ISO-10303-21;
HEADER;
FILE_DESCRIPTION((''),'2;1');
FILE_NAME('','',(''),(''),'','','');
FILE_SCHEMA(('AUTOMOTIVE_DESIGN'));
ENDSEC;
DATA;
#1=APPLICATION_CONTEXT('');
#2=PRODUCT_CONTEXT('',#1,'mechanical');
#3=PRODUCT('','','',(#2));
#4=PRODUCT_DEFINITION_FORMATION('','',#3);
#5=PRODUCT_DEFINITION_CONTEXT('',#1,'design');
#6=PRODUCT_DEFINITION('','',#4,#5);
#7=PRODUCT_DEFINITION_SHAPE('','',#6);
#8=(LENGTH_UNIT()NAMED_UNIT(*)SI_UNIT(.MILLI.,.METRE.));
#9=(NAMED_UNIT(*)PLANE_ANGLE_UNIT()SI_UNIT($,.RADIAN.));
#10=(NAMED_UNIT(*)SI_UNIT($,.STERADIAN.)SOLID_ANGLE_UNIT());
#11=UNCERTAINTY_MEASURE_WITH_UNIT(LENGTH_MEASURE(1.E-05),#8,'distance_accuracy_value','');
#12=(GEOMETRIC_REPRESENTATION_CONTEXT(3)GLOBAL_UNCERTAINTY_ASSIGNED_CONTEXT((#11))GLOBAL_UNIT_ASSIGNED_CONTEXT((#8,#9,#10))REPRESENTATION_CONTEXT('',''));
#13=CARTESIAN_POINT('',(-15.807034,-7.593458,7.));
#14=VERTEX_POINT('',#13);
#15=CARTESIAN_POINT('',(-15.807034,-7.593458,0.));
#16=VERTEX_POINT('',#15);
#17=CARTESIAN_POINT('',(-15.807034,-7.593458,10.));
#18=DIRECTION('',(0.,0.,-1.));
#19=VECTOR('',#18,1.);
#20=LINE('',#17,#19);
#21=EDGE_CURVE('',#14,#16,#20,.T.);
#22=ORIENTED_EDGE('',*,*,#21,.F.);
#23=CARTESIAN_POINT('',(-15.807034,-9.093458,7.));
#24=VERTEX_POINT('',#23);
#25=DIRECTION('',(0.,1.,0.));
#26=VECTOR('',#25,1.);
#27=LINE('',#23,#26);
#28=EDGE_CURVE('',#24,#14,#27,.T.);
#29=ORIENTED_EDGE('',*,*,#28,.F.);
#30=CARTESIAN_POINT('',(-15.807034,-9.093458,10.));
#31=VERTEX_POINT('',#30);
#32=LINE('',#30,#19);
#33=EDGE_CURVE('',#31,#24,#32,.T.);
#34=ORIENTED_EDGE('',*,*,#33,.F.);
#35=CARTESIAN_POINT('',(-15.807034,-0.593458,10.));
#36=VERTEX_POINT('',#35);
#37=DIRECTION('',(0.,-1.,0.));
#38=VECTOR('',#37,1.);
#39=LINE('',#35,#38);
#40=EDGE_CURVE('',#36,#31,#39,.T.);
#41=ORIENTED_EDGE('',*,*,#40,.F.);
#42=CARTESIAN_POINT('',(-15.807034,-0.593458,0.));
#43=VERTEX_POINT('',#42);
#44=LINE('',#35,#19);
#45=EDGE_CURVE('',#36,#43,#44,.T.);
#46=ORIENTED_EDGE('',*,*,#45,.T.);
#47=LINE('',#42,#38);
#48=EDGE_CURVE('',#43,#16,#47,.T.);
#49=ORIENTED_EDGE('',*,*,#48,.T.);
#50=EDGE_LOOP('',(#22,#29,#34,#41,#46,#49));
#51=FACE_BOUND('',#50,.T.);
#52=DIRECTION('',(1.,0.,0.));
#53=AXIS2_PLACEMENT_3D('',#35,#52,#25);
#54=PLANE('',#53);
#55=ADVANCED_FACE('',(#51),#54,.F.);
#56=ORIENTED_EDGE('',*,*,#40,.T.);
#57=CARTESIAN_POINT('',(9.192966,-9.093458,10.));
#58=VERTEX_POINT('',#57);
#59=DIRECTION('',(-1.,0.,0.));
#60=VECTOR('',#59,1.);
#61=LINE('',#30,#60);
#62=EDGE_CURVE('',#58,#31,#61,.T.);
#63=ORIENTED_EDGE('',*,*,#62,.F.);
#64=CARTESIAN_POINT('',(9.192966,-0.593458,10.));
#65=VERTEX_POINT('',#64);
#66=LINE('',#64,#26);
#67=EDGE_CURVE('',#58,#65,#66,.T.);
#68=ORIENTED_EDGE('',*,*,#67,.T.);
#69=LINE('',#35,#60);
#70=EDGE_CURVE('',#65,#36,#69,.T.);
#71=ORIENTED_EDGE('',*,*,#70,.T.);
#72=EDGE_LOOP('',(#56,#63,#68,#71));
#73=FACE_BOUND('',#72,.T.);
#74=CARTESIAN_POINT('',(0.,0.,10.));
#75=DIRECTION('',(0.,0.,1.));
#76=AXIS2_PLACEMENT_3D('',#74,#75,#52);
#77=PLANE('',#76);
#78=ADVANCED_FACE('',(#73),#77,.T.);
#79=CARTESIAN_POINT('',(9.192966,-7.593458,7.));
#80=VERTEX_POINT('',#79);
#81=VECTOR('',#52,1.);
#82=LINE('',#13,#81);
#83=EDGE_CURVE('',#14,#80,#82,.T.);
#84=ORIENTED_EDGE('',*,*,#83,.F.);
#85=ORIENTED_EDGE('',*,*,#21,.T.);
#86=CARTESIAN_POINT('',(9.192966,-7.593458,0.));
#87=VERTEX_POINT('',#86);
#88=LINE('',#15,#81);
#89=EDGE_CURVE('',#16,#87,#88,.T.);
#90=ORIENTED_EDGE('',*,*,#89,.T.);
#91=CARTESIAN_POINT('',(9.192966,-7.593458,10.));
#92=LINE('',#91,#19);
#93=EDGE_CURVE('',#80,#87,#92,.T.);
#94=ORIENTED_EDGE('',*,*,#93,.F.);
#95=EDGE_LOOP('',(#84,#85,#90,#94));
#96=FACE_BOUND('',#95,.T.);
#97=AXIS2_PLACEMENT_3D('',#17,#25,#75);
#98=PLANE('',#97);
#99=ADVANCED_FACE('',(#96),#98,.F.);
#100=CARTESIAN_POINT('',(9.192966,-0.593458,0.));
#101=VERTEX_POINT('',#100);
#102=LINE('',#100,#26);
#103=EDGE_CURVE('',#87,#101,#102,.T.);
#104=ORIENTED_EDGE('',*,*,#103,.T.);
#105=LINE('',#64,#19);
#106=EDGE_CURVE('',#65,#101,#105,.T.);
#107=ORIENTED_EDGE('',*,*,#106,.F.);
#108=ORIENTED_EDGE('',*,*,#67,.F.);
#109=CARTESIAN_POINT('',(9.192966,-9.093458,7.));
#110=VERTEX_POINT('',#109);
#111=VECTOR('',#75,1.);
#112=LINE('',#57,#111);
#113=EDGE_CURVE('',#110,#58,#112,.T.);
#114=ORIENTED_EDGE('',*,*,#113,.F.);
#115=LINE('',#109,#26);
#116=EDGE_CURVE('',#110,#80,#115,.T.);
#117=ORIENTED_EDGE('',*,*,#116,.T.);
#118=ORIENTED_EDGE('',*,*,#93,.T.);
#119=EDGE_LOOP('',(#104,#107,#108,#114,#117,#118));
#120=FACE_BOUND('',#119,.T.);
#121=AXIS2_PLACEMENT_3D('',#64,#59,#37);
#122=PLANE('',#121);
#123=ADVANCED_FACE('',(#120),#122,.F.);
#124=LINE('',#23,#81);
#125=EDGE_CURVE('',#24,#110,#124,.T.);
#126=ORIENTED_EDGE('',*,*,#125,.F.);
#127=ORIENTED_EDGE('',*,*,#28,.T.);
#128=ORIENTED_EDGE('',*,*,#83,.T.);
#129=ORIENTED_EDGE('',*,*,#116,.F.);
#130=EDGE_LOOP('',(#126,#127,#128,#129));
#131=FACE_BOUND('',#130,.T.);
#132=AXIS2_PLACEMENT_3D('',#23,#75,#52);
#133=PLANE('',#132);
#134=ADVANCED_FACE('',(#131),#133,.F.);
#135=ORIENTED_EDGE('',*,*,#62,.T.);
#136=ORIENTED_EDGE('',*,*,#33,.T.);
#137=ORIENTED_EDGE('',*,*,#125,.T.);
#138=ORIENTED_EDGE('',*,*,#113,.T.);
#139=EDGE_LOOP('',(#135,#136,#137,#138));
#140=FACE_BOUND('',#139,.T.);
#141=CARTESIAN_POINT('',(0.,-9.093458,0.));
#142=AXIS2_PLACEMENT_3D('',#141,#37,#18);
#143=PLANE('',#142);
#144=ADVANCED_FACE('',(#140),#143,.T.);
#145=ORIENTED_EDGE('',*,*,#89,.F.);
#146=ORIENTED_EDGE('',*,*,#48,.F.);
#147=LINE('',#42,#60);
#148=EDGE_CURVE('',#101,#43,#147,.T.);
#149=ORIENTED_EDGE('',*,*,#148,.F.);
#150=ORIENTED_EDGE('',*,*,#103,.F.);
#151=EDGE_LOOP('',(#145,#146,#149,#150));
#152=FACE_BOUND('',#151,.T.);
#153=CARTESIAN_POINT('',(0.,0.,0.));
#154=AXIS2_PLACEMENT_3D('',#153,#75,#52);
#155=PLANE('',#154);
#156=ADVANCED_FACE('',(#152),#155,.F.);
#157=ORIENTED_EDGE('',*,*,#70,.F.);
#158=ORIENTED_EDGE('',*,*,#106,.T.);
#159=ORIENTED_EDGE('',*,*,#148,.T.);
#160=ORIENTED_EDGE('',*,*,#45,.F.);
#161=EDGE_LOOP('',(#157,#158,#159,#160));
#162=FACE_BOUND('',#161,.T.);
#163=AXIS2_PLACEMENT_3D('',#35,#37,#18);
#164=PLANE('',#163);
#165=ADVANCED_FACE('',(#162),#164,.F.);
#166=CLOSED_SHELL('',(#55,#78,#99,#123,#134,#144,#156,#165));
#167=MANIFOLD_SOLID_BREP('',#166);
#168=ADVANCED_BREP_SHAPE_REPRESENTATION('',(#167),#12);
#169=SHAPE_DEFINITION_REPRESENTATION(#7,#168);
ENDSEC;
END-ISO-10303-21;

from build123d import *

# Parameters (mm, degrees)
ESQUISSE1_W        = 25
ESQUISSE1_H        = 7
BOSS_EXTRU_1_DEPTH = 10
ESQUISSE2_W        = 25
ESQUISSE2_H        = 3
BOSS_EXTRU_2_DEPTH = 1.5


with BuildPart() as part:
    # Esquisse1 → Boss.-Extru.1 (new body)
    with BuildSketch(Plane.XY):
        with Locations((-3.307033874, -4.093457944)):
            Rectangle(ESQUISSE1_W, ESQUISSE1_H)
    extrude(amount=BOSS_EXTRU_1_DEPTH)

    # Esquisse2 → Boss.-Extru.2 (add)
    with BuildSketch(Plane.XZ.offset(7.593457944)):
        with Locations((-3.307033874, 8.5)):
            Rectangle(ESQUISSE2_W, ESQUISSE2_H)
    extrude(amount=BOSS_EXTRU_2_DEPTH)


solid = part.part
